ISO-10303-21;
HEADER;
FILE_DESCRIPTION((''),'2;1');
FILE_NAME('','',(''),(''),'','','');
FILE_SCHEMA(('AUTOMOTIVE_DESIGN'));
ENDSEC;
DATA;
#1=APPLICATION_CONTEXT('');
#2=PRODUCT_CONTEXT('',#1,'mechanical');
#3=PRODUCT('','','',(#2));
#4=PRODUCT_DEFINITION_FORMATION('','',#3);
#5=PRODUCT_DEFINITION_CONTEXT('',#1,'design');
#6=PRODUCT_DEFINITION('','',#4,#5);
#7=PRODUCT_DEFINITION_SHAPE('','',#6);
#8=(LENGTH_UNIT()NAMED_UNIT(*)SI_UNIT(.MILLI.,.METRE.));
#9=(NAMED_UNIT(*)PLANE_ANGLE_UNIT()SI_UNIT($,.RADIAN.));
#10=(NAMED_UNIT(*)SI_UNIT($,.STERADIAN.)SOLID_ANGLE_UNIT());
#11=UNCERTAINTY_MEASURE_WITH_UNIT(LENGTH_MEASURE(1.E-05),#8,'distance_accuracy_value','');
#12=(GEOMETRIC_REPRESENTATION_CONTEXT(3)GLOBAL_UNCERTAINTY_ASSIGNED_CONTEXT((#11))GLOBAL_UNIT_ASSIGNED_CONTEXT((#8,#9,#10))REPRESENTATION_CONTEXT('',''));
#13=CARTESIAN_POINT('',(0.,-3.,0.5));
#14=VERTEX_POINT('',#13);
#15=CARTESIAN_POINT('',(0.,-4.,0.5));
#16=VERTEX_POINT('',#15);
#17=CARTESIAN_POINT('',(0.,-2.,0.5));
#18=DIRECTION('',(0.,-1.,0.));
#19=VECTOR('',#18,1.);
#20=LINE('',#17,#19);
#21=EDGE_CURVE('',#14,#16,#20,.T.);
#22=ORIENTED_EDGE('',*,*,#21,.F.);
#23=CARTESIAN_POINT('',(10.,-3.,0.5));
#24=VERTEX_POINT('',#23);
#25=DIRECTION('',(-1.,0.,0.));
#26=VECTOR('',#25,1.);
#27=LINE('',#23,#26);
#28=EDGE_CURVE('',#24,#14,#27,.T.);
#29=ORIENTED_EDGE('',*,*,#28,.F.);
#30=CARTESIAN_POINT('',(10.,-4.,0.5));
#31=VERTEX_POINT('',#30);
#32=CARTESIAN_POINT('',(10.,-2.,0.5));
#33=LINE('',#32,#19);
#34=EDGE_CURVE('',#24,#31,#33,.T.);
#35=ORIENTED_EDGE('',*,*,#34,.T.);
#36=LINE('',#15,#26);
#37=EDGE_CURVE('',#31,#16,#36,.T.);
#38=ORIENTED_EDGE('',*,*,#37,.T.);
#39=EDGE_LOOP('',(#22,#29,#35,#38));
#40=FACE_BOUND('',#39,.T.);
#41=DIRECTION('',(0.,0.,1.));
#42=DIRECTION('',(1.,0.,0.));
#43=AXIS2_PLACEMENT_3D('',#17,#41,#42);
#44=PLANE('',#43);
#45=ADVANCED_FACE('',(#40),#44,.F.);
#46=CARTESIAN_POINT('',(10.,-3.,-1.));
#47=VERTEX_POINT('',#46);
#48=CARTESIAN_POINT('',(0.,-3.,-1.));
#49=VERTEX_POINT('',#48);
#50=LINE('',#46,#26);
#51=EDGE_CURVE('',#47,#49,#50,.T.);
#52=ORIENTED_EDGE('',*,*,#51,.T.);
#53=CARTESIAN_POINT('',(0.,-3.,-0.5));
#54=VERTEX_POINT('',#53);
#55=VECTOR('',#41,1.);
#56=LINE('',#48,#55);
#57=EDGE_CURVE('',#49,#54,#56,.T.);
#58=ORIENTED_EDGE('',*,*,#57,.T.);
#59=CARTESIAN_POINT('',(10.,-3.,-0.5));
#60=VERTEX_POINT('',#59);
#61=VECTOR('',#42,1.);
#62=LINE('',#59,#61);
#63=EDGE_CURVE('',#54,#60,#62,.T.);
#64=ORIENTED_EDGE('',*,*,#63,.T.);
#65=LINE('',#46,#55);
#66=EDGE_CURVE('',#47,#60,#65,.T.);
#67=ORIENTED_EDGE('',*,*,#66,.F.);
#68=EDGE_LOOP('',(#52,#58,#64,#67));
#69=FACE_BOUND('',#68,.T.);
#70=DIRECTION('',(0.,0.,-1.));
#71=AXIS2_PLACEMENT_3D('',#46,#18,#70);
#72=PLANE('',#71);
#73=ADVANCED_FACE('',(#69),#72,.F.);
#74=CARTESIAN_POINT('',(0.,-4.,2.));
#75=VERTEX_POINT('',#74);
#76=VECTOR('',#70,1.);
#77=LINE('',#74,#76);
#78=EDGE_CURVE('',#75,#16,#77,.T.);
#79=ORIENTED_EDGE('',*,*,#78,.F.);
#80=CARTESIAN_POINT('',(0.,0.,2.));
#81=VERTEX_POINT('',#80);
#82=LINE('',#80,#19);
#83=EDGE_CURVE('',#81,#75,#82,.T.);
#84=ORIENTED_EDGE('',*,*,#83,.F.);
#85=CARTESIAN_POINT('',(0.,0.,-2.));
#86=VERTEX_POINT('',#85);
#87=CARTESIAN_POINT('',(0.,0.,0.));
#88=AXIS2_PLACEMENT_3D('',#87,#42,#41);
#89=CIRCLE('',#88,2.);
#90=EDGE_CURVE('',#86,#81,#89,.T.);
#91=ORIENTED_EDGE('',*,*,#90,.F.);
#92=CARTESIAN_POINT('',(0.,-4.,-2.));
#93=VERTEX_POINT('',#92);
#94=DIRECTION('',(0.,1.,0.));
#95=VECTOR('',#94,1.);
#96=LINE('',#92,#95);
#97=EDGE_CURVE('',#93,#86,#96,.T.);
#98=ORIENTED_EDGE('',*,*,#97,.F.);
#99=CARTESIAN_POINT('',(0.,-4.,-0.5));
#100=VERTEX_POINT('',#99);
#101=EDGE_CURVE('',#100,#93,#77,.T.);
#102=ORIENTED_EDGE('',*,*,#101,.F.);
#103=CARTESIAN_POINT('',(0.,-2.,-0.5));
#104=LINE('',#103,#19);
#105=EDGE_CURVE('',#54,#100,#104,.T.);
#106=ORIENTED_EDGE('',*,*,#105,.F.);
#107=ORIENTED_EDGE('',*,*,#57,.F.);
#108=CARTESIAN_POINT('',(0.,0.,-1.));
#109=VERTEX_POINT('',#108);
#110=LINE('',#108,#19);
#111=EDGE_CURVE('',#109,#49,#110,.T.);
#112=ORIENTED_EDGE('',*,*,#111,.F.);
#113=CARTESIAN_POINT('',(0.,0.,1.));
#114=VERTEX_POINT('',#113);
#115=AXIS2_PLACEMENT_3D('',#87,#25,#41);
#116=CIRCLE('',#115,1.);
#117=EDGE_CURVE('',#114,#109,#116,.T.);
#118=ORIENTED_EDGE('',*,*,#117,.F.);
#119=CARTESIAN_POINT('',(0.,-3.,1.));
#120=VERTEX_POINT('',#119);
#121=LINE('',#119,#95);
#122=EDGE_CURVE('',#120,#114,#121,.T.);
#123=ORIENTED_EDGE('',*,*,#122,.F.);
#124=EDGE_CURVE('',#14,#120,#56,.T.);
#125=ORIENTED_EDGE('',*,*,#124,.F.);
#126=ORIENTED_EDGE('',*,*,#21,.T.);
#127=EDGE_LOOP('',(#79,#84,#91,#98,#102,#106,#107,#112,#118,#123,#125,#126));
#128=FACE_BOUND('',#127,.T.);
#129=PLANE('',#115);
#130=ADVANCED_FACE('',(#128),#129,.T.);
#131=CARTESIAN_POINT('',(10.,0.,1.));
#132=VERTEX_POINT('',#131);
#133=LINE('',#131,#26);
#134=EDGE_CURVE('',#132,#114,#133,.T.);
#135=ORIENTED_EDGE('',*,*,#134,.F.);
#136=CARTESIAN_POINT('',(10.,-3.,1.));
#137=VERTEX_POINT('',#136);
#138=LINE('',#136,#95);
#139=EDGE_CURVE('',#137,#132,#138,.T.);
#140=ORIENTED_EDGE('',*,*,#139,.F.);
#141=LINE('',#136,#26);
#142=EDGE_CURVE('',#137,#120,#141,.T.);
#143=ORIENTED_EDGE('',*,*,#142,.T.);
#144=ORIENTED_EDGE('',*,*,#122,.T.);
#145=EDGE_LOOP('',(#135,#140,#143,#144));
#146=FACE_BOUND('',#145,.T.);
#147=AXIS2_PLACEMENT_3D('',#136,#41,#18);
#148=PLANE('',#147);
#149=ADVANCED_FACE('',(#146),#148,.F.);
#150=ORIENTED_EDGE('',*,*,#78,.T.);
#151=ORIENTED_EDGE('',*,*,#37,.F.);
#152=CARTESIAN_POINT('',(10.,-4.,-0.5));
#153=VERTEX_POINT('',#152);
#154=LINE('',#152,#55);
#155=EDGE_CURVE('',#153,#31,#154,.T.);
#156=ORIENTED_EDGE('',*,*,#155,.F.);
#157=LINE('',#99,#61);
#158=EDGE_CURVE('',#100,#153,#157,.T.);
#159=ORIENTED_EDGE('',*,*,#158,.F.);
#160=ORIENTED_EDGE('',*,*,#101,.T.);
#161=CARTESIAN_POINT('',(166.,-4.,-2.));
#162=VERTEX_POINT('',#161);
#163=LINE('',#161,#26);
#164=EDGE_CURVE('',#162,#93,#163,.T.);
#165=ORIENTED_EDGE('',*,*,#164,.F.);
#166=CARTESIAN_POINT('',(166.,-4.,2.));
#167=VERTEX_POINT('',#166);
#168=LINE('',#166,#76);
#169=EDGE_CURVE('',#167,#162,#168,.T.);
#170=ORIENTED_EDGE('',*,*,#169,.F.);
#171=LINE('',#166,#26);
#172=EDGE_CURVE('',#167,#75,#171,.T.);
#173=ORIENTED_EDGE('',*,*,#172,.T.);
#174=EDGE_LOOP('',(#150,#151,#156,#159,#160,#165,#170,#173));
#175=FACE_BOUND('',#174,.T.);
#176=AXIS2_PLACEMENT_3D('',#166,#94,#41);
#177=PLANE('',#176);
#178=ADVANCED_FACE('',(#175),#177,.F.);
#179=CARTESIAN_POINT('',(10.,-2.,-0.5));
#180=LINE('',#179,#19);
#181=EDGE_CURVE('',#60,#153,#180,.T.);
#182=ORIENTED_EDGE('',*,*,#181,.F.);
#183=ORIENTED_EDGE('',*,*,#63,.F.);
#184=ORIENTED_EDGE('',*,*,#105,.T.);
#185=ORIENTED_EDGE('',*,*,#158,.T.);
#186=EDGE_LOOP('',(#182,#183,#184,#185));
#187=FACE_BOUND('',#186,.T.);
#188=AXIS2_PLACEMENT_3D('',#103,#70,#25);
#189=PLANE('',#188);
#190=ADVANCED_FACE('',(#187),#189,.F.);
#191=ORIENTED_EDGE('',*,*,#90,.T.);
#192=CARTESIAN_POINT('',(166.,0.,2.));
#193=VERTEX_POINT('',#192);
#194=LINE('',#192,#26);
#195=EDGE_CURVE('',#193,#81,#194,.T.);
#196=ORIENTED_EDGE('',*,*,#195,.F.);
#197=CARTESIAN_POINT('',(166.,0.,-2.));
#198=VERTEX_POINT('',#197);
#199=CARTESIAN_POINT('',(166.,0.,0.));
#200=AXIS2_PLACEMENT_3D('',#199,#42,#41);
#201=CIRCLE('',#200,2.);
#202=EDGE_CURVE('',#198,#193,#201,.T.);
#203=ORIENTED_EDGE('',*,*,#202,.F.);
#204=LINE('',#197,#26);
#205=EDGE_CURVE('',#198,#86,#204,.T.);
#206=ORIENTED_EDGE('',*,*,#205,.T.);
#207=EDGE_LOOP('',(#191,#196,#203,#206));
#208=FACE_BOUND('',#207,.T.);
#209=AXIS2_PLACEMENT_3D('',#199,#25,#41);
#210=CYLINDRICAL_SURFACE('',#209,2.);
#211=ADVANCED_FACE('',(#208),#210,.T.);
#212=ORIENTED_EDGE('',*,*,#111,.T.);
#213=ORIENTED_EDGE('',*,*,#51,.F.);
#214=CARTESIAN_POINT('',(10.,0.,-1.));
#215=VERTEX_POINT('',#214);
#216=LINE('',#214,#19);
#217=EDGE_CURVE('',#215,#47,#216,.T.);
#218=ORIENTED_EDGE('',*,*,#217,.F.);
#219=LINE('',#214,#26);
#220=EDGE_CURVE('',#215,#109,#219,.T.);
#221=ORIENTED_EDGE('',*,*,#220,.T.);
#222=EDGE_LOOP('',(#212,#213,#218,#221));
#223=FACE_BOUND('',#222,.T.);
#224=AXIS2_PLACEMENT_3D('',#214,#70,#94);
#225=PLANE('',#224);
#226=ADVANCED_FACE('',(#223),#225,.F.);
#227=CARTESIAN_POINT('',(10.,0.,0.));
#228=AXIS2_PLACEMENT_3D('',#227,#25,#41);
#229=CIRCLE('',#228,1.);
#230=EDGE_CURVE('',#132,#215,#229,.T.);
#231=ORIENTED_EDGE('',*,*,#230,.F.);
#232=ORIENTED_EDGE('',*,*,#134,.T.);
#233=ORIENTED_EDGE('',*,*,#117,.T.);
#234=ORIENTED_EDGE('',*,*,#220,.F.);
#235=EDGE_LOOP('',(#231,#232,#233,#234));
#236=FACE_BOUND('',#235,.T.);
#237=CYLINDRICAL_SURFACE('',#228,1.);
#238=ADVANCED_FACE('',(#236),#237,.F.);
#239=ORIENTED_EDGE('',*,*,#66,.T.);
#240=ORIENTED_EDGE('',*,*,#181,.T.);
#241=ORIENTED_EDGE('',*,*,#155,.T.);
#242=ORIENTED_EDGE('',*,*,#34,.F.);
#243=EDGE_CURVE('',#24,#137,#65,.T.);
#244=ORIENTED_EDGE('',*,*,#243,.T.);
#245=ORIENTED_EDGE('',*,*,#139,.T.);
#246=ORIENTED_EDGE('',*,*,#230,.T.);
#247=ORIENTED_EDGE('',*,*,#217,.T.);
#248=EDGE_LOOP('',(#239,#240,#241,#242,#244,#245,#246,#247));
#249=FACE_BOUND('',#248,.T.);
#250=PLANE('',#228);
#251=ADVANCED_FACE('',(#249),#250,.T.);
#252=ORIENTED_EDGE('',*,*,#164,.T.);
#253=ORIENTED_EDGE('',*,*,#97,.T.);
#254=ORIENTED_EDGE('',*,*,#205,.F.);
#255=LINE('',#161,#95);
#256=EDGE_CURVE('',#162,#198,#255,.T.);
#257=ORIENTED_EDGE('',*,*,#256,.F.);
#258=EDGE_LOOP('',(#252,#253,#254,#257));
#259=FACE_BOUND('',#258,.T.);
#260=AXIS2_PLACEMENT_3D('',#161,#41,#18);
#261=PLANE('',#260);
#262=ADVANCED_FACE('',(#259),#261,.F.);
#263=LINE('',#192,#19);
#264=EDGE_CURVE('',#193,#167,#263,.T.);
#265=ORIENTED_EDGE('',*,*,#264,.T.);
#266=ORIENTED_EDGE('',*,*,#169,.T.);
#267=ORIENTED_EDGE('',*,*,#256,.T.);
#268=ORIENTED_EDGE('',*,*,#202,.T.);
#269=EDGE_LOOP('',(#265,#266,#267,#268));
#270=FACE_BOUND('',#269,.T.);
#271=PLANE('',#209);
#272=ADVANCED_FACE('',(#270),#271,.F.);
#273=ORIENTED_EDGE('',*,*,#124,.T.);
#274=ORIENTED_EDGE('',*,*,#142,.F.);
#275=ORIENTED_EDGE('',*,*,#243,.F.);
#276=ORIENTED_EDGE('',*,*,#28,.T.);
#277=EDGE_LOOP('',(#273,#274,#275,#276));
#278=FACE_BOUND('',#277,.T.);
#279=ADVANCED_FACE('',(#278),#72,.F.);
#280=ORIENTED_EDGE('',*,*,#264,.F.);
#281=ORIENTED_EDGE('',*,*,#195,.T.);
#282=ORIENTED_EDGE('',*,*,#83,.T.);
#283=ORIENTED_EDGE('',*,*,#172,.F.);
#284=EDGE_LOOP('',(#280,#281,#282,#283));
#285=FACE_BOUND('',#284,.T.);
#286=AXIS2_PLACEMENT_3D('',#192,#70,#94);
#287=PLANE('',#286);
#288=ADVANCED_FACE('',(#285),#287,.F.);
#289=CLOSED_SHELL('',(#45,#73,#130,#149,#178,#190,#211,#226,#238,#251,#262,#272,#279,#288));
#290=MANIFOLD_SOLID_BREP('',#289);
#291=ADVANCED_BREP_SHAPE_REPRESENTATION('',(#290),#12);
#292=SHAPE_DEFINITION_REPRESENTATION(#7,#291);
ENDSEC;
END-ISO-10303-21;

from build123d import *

# Parameters (mm, degrees)
EXTRUSION1_DEPTH        = 166
ENL_V_MAT_EXTRU_2_DEPTH = 10
ESQUISSE4_W             = 10
ESQUISSE4_H             = 1
ENL_V_MAT_EXTRU_3_DEPTH = 2


with BuildPart() as part:
    # Esquisse1 → Extrusion1 (new body)
    with BuildSketch(Plane(origin=(0, 0, 0), x_dir=(0, 0, -1), z_dir=(1, 0, 0))):
        with BuildLine():
            Line((-2, 0), (-2, -4))
            Line((-2, -4), (2, -4))
            Line((2, -4), (2, 0))
            ThreePointArc((2, 0), (0, 2), (-2, 0))
        make_face()
    extrude(amount=EXTRUSION1_DEPTH)

    # Esquisse3 → Enlèv. mat.-Extru.2 (cut)
    with BuildSketch(Plane.ZY):
        with BuildLine():
            Line((-1, 0), (-1, -3))
            Line((-1, -3), (1, -3))
            Line((1, -3), (1, 0))
            ThreePointArc((1, 0), (0, 1), (-1, 0))
        make_face()
    extrude(amount=-ENL_V_MAT_EXTRU_2_DEPTH, mode=Mode.SUBTRACT)

    # Esquisse4 → Enlèv. mat.-Extru.3 (cut)
    with BuildSketch(Plane.XZ.offset(4)):
        with Locations((5, 0)):
            Rectangle(ESQUISSE4_W, ESQUISSE4_H)
    extrude(amount=-ENL_V_MAT_EXTRU_3_DEPTH, mode=Mode.SUBTRACT)


solid = part.part
